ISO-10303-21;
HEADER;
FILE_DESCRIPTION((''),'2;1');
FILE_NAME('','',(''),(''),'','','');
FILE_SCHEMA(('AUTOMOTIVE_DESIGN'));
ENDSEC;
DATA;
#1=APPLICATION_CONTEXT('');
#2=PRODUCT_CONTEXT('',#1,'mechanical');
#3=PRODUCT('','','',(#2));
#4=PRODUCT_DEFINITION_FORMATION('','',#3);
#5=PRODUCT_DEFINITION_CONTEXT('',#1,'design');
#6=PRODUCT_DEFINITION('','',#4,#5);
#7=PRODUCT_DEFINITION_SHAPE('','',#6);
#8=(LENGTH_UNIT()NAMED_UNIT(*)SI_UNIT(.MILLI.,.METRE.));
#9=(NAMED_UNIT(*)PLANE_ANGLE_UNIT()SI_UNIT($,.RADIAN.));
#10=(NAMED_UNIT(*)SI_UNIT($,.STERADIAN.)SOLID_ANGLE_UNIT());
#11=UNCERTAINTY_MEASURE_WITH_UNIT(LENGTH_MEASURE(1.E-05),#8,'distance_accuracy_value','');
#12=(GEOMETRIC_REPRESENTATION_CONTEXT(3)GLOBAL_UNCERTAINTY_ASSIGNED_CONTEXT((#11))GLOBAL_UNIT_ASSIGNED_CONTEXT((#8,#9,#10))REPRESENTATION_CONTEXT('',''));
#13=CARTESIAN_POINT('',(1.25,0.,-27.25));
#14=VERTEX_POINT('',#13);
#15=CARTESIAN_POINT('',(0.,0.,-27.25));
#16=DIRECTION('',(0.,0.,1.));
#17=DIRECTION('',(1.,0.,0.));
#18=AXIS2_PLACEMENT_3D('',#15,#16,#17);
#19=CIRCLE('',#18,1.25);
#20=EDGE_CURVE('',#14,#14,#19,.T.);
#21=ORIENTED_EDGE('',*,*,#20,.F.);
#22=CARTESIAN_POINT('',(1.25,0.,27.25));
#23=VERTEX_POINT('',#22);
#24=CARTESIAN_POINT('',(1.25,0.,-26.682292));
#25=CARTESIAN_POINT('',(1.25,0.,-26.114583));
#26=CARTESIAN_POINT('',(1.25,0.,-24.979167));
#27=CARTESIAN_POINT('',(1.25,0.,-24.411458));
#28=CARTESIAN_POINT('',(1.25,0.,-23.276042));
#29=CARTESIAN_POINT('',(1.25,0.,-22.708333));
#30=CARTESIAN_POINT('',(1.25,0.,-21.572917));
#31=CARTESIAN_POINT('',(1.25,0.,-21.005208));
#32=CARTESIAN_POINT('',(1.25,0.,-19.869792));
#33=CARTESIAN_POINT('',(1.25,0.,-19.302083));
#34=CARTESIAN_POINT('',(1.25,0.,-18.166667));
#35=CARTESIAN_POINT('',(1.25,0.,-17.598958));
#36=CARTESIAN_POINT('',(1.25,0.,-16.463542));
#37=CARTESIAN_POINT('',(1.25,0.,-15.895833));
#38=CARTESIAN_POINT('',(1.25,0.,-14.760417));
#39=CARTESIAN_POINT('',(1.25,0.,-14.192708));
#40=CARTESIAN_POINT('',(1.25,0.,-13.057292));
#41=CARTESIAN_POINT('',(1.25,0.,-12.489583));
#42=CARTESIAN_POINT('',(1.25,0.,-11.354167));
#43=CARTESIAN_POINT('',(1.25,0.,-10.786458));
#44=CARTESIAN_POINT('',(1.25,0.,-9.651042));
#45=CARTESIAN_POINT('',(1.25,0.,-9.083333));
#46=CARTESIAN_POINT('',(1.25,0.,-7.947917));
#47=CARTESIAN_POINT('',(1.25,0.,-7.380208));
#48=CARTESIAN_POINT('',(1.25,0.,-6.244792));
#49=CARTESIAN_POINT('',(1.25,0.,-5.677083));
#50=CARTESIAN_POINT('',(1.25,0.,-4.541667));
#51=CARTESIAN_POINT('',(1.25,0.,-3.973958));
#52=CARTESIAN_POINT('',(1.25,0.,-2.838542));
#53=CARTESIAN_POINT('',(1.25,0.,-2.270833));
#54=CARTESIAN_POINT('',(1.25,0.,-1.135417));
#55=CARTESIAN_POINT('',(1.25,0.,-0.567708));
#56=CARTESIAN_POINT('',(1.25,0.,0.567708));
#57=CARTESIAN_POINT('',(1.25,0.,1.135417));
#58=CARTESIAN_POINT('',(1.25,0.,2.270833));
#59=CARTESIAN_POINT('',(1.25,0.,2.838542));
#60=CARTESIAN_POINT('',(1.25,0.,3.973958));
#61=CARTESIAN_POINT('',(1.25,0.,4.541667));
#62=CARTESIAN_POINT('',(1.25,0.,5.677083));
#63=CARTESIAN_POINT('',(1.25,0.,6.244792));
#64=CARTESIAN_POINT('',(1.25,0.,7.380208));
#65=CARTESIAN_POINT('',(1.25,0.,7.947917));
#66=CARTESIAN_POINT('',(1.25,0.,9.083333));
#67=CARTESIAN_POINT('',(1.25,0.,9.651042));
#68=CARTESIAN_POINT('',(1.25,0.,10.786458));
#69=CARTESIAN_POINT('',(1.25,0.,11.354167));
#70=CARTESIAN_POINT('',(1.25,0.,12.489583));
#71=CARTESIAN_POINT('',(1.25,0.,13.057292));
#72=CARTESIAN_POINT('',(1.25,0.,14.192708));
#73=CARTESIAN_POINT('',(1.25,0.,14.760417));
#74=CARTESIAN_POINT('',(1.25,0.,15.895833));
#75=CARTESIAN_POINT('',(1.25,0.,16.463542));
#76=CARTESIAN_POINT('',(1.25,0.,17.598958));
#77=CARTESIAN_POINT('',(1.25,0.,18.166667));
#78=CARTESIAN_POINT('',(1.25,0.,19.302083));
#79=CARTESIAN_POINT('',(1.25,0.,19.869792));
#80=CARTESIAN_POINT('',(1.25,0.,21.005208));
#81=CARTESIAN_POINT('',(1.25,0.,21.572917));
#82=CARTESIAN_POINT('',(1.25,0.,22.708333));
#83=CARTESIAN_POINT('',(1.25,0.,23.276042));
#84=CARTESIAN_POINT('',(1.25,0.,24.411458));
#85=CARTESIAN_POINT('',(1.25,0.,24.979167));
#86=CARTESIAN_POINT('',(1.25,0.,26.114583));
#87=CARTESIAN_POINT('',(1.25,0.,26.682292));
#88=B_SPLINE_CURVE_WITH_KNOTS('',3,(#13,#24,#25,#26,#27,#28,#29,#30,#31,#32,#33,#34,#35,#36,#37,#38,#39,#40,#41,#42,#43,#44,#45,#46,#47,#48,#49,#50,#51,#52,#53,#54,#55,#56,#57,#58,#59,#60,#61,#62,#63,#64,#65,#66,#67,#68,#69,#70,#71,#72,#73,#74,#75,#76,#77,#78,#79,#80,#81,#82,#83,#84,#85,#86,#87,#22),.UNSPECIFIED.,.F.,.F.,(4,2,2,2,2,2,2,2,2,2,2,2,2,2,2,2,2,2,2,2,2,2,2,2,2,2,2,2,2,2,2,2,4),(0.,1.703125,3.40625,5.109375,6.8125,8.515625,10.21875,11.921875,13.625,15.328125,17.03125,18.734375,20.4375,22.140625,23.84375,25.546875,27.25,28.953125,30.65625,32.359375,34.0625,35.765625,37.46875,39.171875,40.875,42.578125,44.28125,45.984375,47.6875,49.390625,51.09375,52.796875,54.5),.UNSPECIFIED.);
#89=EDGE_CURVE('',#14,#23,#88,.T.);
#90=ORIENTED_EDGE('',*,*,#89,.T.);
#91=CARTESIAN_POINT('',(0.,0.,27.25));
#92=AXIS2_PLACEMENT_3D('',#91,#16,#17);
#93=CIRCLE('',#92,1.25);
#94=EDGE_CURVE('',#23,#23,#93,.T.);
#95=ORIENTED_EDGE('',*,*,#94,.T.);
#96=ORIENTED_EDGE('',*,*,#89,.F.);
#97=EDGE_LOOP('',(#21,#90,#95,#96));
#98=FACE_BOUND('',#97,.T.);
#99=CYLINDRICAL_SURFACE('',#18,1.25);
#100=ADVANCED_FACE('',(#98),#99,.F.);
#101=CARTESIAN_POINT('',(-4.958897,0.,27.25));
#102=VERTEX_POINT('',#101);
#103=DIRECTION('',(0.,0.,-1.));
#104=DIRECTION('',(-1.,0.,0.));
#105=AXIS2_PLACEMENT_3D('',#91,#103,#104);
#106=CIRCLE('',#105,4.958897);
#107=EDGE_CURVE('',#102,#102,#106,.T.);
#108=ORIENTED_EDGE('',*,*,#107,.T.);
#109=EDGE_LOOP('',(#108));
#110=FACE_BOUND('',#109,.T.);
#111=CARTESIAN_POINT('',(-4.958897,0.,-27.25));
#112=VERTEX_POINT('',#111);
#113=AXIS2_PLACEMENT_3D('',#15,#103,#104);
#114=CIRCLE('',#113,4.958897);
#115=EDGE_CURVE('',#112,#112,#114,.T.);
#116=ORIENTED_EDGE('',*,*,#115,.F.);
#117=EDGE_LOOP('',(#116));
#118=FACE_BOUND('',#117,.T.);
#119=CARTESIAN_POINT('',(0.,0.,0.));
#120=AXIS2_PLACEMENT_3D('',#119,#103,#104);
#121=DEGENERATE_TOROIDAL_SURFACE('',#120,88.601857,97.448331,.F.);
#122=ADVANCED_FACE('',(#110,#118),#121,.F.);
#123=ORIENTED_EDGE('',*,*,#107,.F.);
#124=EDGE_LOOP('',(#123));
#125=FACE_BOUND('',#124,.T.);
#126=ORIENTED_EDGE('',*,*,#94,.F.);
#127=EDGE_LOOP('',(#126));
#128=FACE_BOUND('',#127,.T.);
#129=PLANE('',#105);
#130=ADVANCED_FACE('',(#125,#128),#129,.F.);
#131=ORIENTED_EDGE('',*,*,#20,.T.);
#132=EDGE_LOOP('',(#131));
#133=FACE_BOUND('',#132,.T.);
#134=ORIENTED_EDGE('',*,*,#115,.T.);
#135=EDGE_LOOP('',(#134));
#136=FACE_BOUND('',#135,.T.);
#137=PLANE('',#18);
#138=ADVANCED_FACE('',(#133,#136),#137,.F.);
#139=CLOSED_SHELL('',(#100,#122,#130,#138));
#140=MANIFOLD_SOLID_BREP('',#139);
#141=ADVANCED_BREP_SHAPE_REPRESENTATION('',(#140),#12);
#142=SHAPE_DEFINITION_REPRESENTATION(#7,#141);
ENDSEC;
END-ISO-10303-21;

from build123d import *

# Parameters (mm, degrees)
SKETCH_2_R          = 1.25
CUT_EXTRUDE_1_DEPTH = 56.917530471


with BuildPart() as part:
    # 草图1 → 旋转1 (revolve)
    with BuildSketch(Plane(origin=(0, 0, 0), x_dir=(1, 0, 0), z_dir=(0, 1, 0)), mode=Mode.PRIVATE) as revolve_1_sk:
        with BuildLine():
            Line((0, 27.25), (0, -27.25))
            Line((0, -27.25), (4.958896984, -27.25))
            ThreePointArc((4.958896984, -27.25), (8.846473862, 0), (4.958896984, 27.25))
            Line((4.958896984, 27.25), (0, 27.25))
        make_face()
    revolve(revolve_1_sk.sketch.rotate(Axis((0, 0, -27.25), (0, 0, 1)), 180), axis=Axis((0, 0, -27.25), (0, 0, 1)))

    # 草图2 → 切除-拉伸1 (cut, through all)
    with BuildSketch(Plane.XY.offset(27.25)):
        Circle(SKETCH_2_R)
    extrude(amount=-CUT_EXTRUDE_1_DEPTH, mode=Mode.SUBTRACT)


solid = part.part
